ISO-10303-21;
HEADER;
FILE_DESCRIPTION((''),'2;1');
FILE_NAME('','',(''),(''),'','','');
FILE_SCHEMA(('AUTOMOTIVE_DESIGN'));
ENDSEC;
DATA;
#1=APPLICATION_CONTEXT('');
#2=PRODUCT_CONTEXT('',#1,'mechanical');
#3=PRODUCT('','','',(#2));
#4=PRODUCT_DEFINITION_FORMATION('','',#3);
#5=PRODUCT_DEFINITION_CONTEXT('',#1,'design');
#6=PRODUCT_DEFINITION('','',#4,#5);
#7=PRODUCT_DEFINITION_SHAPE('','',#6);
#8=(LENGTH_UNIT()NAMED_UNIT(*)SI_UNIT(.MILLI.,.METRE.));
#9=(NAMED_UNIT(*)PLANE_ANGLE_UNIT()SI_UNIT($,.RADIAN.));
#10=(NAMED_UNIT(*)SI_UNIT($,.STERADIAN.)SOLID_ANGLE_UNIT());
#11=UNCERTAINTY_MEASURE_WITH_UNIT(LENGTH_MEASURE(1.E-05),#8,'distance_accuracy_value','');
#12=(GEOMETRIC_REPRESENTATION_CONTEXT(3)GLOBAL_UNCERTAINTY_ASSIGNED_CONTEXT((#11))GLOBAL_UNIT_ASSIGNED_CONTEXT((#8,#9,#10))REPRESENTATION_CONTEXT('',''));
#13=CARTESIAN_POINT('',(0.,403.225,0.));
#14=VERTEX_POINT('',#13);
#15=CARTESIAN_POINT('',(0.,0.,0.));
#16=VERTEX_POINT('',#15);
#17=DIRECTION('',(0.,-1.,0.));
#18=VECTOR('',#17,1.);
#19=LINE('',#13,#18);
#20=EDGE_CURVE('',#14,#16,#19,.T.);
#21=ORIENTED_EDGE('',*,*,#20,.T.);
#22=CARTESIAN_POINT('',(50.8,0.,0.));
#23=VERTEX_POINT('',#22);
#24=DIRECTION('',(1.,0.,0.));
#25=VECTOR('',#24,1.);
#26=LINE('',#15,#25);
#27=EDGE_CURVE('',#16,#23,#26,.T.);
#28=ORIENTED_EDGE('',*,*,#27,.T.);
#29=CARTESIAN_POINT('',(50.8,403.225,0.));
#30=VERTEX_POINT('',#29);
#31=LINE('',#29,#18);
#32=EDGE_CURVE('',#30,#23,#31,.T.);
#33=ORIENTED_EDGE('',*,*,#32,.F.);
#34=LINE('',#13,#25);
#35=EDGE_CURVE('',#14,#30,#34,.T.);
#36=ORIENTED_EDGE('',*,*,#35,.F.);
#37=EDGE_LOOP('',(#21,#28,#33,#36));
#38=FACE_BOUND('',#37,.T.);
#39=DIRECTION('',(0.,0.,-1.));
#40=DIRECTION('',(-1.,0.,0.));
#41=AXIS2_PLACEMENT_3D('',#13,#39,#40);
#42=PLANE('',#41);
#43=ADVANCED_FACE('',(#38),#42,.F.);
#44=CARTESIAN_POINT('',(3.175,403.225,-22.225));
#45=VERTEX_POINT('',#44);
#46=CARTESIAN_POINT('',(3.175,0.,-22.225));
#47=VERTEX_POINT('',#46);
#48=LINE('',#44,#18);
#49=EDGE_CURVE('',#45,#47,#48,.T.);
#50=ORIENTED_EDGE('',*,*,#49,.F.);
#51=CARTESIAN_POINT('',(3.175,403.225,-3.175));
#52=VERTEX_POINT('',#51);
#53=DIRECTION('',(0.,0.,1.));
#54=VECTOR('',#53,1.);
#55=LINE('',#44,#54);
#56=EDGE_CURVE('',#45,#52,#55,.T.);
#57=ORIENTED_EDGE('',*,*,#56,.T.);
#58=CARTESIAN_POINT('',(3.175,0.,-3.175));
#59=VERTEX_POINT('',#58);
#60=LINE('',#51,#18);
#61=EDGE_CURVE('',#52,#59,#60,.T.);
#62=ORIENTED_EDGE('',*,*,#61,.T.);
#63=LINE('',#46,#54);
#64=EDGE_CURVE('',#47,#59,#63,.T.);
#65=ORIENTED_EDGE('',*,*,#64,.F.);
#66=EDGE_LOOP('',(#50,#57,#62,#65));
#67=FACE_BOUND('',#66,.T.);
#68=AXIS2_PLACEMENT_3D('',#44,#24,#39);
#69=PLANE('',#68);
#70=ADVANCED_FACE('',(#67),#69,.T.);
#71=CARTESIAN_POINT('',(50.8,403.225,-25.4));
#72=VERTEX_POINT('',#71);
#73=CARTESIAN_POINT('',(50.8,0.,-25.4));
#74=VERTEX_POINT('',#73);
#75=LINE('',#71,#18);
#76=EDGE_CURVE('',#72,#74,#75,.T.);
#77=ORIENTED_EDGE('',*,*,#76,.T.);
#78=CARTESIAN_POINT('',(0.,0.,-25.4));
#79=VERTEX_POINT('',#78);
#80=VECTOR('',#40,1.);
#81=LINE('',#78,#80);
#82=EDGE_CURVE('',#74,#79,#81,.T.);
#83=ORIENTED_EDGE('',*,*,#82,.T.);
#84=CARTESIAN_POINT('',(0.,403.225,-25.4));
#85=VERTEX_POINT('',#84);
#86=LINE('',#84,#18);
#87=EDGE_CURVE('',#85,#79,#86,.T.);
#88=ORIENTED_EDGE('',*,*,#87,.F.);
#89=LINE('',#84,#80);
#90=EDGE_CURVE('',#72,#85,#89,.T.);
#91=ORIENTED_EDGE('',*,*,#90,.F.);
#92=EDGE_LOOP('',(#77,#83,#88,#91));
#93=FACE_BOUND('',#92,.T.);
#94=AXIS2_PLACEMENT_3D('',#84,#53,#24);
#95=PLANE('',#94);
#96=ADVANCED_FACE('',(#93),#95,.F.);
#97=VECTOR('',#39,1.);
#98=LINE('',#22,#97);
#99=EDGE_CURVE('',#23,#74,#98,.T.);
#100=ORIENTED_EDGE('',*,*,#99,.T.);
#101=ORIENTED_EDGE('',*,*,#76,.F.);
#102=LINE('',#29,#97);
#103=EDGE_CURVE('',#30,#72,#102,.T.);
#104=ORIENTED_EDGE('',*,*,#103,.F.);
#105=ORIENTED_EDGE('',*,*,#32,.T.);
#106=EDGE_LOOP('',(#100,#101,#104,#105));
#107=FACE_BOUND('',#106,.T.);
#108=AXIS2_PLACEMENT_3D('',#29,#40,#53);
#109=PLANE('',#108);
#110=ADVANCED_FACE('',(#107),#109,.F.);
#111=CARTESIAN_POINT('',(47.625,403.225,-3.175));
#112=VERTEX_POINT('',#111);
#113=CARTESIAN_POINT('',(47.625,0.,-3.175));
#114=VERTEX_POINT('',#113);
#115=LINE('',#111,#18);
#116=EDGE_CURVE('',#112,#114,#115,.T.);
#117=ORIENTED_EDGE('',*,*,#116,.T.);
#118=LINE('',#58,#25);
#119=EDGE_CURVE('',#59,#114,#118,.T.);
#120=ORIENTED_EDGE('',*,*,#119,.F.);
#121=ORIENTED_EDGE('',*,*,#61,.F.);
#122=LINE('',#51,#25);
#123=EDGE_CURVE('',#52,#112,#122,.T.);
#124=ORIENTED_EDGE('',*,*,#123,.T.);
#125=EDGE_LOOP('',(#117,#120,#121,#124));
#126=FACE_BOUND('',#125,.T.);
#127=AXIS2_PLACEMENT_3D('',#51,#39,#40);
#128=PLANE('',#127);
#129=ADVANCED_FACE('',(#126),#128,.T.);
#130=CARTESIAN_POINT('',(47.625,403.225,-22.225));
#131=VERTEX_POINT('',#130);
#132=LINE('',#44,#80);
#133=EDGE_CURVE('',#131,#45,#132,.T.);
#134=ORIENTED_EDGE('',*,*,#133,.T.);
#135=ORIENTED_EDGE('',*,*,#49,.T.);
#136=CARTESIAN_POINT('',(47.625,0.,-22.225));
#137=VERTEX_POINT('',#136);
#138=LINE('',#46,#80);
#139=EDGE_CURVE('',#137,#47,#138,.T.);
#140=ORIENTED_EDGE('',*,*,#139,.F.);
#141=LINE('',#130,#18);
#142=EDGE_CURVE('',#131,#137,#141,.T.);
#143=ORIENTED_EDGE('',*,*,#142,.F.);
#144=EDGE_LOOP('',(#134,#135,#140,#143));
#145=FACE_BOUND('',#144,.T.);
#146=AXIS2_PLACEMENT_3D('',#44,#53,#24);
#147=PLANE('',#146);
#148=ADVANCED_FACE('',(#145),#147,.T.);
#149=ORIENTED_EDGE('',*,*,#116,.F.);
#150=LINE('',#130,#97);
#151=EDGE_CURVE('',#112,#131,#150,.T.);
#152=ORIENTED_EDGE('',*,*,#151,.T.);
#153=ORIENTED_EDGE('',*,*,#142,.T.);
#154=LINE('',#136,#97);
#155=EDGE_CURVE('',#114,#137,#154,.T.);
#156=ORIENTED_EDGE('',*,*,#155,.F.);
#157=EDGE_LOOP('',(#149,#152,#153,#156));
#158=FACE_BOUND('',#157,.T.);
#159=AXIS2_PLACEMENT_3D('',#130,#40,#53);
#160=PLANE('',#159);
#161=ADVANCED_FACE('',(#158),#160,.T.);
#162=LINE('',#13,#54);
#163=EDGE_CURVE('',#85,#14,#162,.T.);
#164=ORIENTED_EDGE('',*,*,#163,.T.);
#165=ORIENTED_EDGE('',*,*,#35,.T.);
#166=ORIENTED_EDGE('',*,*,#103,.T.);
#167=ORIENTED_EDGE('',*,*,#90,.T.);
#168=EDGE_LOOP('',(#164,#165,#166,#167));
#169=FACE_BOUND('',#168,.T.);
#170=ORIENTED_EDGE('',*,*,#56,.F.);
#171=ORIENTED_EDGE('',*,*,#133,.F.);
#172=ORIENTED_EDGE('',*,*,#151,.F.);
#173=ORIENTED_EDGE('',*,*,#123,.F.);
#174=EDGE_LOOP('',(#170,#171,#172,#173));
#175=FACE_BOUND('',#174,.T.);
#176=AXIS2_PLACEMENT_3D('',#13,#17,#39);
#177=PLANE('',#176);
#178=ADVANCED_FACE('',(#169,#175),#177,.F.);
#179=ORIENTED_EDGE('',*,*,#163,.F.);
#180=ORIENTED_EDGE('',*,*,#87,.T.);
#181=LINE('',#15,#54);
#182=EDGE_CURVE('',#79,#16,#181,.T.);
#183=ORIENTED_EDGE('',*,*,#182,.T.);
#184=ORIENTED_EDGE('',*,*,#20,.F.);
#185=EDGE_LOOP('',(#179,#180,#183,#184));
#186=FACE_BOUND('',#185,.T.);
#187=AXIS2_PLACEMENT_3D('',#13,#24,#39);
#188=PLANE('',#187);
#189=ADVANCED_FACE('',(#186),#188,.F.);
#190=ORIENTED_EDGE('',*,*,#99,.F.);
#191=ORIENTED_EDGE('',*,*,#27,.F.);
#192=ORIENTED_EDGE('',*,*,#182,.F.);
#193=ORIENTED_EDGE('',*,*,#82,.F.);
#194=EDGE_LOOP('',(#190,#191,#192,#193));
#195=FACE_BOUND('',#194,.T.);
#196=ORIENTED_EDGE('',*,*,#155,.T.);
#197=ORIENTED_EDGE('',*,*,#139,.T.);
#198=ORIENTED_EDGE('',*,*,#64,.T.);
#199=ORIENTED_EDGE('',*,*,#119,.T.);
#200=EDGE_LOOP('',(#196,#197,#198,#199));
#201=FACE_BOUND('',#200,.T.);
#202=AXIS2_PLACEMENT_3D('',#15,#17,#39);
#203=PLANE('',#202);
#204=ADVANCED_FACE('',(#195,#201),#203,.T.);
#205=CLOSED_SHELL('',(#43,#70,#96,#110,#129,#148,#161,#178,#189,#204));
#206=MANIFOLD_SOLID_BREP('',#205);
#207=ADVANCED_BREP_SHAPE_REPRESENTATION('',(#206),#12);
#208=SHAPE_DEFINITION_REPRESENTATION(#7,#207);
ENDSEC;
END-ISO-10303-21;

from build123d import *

# Parameters (mm, degrees)
SKETCH1_W           = 50.8
SKETCH1_H           = 25.4
SKETCH1_W_2         = 44.45
SKETCH1_H_2         = 19.05
BOSS_EXTRUDE1_DEPTH = 403.225


with BuildPart() as part:
    # Sketch1 → Boss-Extrude1 (new body)
    with BuildSketch(Plane(origin=(0, 0, 0), x_dir=(1, 0, 0), z_dir=(0, 1, 0))):
        with Locations((25.4, 12.7)):
            Rectangle(SKETCH1_W, SKETCH1_H)
        with Locations((25.4, 12.7)):
            Rectangle(SKETCH1_W_2, SKETCH1_H_2, mode=Mode.SUBTRACT)
    extrude(amount=BOSS_EXTRUDE1_DEPTH)


solid = part.part
